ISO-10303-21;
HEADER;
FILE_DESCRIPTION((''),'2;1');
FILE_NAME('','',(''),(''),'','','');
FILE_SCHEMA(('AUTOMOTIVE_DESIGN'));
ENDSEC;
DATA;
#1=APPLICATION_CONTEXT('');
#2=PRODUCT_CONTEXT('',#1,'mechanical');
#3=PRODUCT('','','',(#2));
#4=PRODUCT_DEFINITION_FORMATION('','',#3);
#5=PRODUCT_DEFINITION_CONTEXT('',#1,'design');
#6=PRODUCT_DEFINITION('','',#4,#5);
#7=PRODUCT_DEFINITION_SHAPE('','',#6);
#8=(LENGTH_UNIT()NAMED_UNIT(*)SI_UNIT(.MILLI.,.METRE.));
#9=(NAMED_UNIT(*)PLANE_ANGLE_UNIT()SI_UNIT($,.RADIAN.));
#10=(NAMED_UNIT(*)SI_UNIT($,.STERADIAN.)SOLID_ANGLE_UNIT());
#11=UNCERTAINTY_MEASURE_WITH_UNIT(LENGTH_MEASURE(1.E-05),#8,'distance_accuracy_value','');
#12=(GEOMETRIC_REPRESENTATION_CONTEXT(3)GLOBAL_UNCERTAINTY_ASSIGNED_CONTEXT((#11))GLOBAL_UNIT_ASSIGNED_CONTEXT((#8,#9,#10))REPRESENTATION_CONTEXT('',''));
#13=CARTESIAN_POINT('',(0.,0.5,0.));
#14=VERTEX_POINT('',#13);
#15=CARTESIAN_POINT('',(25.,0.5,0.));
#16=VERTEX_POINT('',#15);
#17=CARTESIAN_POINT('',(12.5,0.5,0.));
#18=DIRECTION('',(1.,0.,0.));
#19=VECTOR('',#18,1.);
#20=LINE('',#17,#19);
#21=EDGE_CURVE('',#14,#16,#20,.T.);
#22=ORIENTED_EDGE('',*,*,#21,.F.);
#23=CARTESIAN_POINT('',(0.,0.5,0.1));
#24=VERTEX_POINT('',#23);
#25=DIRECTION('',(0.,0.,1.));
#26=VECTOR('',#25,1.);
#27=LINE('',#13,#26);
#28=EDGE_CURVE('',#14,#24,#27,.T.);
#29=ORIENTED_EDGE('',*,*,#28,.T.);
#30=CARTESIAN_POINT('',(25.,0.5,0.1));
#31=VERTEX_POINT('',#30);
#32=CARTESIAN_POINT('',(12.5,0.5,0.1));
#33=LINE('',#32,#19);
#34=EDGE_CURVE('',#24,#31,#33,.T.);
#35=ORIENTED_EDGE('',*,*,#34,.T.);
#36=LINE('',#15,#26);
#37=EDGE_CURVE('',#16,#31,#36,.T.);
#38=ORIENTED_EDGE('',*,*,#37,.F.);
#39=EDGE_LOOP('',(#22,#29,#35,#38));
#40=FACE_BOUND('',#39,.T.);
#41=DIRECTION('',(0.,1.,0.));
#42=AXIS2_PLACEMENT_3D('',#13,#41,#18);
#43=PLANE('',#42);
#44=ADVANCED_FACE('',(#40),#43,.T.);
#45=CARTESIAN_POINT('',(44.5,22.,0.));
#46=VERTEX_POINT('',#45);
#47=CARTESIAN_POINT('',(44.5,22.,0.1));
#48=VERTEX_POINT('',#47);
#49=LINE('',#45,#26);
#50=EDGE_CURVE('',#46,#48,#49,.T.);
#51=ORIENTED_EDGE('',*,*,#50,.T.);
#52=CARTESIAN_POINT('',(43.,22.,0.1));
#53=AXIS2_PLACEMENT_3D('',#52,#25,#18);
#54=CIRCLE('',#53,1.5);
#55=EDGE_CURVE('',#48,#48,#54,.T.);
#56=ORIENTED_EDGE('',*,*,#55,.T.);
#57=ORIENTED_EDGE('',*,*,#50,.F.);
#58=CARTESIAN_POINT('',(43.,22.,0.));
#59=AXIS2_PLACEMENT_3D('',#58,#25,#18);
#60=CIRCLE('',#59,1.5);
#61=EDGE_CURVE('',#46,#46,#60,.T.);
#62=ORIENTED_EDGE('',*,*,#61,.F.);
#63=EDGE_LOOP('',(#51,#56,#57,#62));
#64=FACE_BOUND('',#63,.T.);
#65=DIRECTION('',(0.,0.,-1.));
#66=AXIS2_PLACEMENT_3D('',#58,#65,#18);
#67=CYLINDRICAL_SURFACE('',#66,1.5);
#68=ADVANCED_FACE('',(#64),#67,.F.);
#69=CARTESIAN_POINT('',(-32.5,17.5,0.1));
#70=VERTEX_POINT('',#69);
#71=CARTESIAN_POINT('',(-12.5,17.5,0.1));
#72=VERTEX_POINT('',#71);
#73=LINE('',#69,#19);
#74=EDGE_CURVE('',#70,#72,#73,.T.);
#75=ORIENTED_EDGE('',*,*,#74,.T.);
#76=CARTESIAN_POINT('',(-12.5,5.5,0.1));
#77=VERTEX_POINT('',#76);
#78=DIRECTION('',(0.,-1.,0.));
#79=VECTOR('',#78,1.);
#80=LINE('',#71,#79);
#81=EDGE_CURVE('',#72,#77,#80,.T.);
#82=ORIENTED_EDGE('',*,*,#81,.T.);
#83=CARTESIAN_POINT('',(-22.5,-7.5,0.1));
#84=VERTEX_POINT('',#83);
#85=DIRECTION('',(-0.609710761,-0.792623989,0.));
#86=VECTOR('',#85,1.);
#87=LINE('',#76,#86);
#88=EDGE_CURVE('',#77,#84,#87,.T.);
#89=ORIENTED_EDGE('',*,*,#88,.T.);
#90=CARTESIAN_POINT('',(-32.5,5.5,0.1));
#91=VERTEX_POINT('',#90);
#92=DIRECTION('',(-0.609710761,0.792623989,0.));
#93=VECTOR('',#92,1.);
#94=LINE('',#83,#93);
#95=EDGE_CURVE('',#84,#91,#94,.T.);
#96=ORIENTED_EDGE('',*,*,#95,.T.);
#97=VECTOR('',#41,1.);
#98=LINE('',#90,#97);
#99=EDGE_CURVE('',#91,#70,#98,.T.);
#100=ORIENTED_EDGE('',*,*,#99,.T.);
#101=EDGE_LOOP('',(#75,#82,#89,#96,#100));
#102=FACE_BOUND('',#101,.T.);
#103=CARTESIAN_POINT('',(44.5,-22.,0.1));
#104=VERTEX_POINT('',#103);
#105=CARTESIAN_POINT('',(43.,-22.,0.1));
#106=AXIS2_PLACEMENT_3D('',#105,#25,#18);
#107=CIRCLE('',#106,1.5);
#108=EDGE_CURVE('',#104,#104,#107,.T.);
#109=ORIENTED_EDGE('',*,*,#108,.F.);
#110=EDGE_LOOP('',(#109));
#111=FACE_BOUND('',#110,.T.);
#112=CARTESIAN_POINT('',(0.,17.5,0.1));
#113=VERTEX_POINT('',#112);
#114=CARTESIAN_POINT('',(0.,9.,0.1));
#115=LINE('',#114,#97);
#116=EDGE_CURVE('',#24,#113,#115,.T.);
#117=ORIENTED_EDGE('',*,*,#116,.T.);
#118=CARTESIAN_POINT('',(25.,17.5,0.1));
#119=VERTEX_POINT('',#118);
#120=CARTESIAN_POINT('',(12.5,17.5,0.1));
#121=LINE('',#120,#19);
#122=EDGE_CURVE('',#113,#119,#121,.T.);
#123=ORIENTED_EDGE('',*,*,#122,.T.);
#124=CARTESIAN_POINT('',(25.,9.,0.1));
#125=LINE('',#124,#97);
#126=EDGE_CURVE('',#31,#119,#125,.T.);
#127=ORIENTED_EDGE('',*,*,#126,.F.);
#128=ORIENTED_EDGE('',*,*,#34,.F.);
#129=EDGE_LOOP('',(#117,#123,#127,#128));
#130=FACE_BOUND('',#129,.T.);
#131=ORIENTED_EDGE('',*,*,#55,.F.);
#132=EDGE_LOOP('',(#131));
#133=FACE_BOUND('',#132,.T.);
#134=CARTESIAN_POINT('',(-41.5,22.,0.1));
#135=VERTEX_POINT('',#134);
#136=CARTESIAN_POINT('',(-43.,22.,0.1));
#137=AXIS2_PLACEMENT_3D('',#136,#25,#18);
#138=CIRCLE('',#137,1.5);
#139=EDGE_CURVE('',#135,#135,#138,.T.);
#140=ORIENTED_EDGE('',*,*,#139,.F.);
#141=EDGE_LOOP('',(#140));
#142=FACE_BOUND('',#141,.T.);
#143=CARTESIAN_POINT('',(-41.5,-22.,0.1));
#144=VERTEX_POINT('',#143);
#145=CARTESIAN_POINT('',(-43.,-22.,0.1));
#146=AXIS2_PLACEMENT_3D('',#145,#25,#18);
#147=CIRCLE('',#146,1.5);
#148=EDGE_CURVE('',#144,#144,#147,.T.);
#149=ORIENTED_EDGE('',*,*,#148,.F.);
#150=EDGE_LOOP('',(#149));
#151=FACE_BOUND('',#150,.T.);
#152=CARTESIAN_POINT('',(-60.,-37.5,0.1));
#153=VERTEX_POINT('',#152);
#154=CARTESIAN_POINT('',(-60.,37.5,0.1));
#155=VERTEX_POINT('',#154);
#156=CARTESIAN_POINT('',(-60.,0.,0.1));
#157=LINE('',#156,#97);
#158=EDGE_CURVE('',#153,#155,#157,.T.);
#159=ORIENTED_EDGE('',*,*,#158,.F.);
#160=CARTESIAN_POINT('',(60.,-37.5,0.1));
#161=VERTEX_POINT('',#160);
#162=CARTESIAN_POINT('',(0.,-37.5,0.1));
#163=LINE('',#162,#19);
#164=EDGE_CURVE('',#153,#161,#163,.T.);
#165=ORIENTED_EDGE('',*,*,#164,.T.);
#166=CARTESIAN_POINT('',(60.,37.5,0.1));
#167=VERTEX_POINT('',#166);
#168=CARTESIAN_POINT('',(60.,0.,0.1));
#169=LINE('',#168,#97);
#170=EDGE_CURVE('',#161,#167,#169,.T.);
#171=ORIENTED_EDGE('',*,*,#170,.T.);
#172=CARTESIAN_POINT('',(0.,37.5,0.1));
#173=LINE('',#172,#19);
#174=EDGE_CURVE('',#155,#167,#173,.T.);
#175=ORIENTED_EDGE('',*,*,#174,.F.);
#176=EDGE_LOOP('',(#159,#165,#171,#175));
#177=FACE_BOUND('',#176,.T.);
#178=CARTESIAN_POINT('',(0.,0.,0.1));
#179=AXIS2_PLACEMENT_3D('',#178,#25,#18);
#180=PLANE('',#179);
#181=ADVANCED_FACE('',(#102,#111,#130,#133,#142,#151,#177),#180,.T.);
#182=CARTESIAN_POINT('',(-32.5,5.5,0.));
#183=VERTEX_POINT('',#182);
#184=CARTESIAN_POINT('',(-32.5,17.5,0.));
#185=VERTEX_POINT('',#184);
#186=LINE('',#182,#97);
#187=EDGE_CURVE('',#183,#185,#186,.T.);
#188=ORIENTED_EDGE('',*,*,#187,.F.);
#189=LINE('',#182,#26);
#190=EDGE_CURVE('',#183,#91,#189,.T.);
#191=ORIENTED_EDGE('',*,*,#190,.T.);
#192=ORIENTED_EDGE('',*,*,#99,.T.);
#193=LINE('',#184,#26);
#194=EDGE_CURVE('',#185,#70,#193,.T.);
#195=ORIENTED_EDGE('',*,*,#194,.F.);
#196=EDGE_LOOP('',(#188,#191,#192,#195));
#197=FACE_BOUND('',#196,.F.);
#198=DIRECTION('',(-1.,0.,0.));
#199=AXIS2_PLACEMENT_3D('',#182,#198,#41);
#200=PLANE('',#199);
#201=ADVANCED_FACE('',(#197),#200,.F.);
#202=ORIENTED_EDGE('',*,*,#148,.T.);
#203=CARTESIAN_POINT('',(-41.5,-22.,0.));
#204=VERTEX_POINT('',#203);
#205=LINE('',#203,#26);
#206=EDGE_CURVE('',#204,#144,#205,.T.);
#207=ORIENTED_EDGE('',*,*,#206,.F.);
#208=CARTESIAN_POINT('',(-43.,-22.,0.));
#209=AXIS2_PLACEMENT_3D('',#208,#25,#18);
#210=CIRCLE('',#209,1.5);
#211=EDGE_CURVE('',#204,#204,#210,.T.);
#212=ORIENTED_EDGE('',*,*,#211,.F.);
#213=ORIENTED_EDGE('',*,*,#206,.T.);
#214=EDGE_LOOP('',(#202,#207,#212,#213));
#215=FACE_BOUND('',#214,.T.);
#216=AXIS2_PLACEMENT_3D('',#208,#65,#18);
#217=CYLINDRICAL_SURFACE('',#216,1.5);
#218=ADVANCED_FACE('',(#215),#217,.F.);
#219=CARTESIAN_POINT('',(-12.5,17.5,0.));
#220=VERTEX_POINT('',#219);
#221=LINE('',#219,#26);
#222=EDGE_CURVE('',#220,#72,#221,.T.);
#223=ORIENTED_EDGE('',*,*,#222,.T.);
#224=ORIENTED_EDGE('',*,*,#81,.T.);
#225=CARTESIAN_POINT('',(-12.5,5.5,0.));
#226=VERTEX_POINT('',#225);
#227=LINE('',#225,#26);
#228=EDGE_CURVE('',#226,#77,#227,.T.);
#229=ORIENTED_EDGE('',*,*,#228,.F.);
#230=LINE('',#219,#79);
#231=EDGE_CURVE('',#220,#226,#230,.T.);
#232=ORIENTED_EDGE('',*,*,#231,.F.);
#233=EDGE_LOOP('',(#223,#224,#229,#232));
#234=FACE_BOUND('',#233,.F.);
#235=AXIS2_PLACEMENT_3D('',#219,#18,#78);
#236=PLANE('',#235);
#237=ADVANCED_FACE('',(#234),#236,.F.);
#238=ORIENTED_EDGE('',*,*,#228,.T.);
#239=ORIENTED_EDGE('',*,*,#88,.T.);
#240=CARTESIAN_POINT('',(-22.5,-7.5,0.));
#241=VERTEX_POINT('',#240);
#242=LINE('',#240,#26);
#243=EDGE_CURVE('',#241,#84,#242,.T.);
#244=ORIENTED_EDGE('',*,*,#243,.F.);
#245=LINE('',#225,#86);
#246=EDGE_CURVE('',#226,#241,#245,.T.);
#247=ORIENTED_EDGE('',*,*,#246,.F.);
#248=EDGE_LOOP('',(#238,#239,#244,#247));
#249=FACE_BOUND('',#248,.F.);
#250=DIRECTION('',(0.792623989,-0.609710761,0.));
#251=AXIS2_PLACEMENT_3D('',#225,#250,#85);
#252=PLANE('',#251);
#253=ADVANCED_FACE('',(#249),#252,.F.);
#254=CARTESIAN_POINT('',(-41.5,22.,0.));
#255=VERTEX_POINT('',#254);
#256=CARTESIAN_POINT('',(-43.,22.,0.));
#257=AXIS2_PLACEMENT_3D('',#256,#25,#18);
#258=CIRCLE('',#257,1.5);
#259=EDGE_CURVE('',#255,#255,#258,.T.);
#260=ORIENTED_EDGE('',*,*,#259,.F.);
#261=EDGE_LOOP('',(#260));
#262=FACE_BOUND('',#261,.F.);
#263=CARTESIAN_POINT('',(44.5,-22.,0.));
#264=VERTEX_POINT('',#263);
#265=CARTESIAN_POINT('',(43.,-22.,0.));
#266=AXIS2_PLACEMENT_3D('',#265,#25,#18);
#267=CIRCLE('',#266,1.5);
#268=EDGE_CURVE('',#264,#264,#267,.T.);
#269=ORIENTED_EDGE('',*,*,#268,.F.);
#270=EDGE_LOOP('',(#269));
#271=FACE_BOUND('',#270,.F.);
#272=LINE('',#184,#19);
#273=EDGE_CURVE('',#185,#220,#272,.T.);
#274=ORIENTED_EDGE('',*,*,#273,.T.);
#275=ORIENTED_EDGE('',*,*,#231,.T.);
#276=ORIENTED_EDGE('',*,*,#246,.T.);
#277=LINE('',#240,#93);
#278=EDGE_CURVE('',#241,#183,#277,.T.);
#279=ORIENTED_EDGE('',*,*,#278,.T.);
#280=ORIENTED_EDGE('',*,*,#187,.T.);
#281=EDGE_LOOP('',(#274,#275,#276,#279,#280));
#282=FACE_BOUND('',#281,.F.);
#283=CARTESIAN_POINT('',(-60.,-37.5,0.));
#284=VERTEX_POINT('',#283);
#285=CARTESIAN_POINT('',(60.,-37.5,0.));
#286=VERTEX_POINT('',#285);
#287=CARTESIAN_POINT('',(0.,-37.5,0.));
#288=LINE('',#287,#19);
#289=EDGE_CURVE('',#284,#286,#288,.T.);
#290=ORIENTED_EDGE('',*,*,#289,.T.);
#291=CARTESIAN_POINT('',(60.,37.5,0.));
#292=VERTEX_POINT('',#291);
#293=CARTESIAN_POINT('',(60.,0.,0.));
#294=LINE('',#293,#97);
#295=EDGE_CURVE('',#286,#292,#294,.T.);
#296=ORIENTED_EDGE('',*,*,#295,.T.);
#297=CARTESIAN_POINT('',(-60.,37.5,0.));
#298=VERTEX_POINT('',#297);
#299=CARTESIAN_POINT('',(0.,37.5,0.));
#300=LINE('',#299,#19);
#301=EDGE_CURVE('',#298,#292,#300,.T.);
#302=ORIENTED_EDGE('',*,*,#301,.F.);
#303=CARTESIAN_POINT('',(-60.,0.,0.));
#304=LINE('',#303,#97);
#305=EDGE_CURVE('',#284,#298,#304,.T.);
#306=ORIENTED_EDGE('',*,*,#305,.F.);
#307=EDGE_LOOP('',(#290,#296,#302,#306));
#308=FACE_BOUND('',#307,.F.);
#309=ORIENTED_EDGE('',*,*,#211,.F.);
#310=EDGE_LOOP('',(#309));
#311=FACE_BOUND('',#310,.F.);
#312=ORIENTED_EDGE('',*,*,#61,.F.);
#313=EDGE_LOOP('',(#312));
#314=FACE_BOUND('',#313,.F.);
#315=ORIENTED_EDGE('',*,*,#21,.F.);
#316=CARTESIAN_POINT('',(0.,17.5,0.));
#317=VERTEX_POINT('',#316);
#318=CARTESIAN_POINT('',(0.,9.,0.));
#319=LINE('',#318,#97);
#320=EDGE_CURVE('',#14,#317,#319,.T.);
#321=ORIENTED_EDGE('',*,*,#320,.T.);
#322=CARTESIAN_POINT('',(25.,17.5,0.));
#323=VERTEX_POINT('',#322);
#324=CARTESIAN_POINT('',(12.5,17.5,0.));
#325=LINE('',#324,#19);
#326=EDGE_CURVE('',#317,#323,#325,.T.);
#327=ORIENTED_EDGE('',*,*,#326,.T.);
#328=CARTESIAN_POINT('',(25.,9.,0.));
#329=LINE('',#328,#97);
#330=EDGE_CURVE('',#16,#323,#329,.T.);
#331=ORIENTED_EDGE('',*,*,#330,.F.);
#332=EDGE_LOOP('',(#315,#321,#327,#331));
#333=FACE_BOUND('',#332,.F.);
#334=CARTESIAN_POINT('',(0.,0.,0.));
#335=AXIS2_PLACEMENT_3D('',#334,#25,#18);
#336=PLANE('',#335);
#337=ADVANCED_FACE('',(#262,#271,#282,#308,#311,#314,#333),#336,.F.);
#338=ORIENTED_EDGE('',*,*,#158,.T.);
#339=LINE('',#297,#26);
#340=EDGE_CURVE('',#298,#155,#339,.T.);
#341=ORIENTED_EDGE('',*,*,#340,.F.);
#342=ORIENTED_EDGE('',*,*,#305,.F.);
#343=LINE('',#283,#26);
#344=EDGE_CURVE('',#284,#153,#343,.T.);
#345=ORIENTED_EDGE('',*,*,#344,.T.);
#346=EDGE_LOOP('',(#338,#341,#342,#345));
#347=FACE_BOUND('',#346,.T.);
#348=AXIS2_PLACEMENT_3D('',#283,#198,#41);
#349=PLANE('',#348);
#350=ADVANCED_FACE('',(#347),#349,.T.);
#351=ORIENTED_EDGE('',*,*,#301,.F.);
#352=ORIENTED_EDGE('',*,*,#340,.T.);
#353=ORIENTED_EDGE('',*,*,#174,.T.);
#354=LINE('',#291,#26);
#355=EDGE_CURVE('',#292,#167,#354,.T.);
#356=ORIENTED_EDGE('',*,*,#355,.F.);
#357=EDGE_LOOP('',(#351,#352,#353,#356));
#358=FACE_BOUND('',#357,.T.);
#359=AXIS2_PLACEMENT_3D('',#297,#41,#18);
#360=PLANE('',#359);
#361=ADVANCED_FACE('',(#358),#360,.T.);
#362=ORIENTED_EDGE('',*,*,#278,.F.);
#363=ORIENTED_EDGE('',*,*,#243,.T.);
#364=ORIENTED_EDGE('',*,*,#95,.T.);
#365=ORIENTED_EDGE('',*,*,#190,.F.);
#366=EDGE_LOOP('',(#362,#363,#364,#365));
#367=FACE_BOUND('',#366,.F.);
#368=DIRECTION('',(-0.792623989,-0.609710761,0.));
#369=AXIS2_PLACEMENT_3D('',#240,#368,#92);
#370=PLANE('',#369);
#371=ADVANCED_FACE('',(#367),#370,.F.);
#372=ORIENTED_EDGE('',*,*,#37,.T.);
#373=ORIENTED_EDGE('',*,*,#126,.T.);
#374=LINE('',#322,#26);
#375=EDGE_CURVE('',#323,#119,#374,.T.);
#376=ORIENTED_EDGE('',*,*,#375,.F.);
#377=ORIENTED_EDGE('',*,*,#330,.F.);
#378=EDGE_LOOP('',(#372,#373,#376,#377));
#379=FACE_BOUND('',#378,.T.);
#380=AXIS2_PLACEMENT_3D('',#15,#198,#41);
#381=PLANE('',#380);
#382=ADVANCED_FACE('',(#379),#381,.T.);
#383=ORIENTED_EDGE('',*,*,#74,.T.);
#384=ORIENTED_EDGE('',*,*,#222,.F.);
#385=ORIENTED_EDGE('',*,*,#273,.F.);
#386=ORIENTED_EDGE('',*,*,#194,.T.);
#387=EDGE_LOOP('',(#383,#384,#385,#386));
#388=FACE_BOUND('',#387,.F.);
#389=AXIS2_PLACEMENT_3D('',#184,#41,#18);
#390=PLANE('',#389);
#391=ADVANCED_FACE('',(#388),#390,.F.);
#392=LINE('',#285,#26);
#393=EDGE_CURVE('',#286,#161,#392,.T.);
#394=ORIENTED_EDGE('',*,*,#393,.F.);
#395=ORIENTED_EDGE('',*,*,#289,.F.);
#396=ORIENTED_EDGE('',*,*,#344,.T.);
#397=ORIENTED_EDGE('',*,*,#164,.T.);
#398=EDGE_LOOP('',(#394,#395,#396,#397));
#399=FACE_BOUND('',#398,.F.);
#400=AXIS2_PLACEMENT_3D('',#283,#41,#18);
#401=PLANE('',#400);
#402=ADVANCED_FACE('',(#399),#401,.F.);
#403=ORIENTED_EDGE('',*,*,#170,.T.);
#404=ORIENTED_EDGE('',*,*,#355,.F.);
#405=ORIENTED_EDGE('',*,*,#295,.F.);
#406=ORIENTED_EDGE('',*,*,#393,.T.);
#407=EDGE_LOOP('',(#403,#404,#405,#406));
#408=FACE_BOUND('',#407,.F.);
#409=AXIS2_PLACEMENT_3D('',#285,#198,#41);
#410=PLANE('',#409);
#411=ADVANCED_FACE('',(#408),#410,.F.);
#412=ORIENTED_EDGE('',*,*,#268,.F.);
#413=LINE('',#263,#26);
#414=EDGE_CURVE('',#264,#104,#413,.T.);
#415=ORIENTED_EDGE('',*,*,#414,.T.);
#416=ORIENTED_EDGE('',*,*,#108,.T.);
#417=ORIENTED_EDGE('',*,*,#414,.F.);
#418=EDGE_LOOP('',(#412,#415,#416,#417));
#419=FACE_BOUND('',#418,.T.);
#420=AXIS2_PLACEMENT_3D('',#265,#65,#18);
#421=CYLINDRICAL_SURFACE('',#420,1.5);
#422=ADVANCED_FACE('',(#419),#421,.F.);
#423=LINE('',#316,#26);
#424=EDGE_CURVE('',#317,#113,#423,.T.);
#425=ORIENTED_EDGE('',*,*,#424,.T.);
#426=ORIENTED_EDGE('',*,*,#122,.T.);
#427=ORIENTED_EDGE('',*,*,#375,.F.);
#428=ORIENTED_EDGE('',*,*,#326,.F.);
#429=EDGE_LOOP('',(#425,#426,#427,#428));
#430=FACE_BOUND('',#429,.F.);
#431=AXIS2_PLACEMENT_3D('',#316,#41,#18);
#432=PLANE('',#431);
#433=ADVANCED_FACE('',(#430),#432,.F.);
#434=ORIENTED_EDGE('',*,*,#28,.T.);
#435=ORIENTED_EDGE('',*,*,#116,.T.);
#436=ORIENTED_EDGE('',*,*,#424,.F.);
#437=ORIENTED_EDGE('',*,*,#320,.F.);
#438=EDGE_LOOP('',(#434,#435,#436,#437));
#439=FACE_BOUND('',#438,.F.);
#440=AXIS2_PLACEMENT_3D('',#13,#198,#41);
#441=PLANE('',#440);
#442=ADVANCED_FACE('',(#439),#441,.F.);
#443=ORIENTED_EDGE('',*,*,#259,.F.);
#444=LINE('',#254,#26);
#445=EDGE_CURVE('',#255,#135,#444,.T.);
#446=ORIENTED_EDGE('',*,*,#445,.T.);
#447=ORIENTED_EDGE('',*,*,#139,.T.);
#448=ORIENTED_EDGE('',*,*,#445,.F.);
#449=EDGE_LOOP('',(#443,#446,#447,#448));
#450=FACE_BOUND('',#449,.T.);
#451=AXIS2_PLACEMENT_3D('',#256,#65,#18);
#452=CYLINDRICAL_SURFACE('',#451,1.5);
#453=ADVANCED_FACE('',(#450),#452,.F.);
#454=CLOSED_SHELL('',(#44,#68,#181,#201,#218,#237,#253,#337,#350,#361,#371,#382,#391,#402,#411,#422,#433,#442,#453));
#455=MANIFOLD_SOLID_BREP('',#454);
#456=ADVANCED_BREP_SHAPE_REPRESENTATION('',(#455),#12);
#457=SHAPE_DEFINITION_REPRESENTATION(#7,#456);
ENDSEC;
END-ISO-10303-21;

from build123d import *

# Parameters (mm, degrees)
F0_W     = 120
F0_H     = 75
F0_R     = 1.5
F0_W_2   = 25
F0_H_2   = 17
F1_DEPTH = 0.1


with BuildPart() as f1:
    # F0 (on Top) → F1 (new body)
    with BuildSketch(Plane.XY):
        Rectangle(F0_W, F0_H)
        with Locations((-43, -22)):
            Circle(F0_R, mode=Mode.SUBTRACT)
        with Locations((43, -22)):
            Circle(F0_R, mode=Mode.SUBTRACT)
        Polygon((-32.5, 17.5), (-12.5, 17.5), (-12.5, 5.5), (-22.5, -7.5), (-32.5, 5.5), align=None, mode=Mode.SUBTRACT)
        with Locations((-43, 22)):
            Circle(F0_R, mode=Mode.SUBTRACT)
        with Locations((12.5, 9)):
            Rectangle(F0_W_2, F0_H_2, mode=Mode.SUBTRACT)
        with Locations((43, 22)):
            Circle(F0_R, mode=Mode.SUBTRACT)
    extrude(amount=F1_DEPTH)


solid = f1.part
